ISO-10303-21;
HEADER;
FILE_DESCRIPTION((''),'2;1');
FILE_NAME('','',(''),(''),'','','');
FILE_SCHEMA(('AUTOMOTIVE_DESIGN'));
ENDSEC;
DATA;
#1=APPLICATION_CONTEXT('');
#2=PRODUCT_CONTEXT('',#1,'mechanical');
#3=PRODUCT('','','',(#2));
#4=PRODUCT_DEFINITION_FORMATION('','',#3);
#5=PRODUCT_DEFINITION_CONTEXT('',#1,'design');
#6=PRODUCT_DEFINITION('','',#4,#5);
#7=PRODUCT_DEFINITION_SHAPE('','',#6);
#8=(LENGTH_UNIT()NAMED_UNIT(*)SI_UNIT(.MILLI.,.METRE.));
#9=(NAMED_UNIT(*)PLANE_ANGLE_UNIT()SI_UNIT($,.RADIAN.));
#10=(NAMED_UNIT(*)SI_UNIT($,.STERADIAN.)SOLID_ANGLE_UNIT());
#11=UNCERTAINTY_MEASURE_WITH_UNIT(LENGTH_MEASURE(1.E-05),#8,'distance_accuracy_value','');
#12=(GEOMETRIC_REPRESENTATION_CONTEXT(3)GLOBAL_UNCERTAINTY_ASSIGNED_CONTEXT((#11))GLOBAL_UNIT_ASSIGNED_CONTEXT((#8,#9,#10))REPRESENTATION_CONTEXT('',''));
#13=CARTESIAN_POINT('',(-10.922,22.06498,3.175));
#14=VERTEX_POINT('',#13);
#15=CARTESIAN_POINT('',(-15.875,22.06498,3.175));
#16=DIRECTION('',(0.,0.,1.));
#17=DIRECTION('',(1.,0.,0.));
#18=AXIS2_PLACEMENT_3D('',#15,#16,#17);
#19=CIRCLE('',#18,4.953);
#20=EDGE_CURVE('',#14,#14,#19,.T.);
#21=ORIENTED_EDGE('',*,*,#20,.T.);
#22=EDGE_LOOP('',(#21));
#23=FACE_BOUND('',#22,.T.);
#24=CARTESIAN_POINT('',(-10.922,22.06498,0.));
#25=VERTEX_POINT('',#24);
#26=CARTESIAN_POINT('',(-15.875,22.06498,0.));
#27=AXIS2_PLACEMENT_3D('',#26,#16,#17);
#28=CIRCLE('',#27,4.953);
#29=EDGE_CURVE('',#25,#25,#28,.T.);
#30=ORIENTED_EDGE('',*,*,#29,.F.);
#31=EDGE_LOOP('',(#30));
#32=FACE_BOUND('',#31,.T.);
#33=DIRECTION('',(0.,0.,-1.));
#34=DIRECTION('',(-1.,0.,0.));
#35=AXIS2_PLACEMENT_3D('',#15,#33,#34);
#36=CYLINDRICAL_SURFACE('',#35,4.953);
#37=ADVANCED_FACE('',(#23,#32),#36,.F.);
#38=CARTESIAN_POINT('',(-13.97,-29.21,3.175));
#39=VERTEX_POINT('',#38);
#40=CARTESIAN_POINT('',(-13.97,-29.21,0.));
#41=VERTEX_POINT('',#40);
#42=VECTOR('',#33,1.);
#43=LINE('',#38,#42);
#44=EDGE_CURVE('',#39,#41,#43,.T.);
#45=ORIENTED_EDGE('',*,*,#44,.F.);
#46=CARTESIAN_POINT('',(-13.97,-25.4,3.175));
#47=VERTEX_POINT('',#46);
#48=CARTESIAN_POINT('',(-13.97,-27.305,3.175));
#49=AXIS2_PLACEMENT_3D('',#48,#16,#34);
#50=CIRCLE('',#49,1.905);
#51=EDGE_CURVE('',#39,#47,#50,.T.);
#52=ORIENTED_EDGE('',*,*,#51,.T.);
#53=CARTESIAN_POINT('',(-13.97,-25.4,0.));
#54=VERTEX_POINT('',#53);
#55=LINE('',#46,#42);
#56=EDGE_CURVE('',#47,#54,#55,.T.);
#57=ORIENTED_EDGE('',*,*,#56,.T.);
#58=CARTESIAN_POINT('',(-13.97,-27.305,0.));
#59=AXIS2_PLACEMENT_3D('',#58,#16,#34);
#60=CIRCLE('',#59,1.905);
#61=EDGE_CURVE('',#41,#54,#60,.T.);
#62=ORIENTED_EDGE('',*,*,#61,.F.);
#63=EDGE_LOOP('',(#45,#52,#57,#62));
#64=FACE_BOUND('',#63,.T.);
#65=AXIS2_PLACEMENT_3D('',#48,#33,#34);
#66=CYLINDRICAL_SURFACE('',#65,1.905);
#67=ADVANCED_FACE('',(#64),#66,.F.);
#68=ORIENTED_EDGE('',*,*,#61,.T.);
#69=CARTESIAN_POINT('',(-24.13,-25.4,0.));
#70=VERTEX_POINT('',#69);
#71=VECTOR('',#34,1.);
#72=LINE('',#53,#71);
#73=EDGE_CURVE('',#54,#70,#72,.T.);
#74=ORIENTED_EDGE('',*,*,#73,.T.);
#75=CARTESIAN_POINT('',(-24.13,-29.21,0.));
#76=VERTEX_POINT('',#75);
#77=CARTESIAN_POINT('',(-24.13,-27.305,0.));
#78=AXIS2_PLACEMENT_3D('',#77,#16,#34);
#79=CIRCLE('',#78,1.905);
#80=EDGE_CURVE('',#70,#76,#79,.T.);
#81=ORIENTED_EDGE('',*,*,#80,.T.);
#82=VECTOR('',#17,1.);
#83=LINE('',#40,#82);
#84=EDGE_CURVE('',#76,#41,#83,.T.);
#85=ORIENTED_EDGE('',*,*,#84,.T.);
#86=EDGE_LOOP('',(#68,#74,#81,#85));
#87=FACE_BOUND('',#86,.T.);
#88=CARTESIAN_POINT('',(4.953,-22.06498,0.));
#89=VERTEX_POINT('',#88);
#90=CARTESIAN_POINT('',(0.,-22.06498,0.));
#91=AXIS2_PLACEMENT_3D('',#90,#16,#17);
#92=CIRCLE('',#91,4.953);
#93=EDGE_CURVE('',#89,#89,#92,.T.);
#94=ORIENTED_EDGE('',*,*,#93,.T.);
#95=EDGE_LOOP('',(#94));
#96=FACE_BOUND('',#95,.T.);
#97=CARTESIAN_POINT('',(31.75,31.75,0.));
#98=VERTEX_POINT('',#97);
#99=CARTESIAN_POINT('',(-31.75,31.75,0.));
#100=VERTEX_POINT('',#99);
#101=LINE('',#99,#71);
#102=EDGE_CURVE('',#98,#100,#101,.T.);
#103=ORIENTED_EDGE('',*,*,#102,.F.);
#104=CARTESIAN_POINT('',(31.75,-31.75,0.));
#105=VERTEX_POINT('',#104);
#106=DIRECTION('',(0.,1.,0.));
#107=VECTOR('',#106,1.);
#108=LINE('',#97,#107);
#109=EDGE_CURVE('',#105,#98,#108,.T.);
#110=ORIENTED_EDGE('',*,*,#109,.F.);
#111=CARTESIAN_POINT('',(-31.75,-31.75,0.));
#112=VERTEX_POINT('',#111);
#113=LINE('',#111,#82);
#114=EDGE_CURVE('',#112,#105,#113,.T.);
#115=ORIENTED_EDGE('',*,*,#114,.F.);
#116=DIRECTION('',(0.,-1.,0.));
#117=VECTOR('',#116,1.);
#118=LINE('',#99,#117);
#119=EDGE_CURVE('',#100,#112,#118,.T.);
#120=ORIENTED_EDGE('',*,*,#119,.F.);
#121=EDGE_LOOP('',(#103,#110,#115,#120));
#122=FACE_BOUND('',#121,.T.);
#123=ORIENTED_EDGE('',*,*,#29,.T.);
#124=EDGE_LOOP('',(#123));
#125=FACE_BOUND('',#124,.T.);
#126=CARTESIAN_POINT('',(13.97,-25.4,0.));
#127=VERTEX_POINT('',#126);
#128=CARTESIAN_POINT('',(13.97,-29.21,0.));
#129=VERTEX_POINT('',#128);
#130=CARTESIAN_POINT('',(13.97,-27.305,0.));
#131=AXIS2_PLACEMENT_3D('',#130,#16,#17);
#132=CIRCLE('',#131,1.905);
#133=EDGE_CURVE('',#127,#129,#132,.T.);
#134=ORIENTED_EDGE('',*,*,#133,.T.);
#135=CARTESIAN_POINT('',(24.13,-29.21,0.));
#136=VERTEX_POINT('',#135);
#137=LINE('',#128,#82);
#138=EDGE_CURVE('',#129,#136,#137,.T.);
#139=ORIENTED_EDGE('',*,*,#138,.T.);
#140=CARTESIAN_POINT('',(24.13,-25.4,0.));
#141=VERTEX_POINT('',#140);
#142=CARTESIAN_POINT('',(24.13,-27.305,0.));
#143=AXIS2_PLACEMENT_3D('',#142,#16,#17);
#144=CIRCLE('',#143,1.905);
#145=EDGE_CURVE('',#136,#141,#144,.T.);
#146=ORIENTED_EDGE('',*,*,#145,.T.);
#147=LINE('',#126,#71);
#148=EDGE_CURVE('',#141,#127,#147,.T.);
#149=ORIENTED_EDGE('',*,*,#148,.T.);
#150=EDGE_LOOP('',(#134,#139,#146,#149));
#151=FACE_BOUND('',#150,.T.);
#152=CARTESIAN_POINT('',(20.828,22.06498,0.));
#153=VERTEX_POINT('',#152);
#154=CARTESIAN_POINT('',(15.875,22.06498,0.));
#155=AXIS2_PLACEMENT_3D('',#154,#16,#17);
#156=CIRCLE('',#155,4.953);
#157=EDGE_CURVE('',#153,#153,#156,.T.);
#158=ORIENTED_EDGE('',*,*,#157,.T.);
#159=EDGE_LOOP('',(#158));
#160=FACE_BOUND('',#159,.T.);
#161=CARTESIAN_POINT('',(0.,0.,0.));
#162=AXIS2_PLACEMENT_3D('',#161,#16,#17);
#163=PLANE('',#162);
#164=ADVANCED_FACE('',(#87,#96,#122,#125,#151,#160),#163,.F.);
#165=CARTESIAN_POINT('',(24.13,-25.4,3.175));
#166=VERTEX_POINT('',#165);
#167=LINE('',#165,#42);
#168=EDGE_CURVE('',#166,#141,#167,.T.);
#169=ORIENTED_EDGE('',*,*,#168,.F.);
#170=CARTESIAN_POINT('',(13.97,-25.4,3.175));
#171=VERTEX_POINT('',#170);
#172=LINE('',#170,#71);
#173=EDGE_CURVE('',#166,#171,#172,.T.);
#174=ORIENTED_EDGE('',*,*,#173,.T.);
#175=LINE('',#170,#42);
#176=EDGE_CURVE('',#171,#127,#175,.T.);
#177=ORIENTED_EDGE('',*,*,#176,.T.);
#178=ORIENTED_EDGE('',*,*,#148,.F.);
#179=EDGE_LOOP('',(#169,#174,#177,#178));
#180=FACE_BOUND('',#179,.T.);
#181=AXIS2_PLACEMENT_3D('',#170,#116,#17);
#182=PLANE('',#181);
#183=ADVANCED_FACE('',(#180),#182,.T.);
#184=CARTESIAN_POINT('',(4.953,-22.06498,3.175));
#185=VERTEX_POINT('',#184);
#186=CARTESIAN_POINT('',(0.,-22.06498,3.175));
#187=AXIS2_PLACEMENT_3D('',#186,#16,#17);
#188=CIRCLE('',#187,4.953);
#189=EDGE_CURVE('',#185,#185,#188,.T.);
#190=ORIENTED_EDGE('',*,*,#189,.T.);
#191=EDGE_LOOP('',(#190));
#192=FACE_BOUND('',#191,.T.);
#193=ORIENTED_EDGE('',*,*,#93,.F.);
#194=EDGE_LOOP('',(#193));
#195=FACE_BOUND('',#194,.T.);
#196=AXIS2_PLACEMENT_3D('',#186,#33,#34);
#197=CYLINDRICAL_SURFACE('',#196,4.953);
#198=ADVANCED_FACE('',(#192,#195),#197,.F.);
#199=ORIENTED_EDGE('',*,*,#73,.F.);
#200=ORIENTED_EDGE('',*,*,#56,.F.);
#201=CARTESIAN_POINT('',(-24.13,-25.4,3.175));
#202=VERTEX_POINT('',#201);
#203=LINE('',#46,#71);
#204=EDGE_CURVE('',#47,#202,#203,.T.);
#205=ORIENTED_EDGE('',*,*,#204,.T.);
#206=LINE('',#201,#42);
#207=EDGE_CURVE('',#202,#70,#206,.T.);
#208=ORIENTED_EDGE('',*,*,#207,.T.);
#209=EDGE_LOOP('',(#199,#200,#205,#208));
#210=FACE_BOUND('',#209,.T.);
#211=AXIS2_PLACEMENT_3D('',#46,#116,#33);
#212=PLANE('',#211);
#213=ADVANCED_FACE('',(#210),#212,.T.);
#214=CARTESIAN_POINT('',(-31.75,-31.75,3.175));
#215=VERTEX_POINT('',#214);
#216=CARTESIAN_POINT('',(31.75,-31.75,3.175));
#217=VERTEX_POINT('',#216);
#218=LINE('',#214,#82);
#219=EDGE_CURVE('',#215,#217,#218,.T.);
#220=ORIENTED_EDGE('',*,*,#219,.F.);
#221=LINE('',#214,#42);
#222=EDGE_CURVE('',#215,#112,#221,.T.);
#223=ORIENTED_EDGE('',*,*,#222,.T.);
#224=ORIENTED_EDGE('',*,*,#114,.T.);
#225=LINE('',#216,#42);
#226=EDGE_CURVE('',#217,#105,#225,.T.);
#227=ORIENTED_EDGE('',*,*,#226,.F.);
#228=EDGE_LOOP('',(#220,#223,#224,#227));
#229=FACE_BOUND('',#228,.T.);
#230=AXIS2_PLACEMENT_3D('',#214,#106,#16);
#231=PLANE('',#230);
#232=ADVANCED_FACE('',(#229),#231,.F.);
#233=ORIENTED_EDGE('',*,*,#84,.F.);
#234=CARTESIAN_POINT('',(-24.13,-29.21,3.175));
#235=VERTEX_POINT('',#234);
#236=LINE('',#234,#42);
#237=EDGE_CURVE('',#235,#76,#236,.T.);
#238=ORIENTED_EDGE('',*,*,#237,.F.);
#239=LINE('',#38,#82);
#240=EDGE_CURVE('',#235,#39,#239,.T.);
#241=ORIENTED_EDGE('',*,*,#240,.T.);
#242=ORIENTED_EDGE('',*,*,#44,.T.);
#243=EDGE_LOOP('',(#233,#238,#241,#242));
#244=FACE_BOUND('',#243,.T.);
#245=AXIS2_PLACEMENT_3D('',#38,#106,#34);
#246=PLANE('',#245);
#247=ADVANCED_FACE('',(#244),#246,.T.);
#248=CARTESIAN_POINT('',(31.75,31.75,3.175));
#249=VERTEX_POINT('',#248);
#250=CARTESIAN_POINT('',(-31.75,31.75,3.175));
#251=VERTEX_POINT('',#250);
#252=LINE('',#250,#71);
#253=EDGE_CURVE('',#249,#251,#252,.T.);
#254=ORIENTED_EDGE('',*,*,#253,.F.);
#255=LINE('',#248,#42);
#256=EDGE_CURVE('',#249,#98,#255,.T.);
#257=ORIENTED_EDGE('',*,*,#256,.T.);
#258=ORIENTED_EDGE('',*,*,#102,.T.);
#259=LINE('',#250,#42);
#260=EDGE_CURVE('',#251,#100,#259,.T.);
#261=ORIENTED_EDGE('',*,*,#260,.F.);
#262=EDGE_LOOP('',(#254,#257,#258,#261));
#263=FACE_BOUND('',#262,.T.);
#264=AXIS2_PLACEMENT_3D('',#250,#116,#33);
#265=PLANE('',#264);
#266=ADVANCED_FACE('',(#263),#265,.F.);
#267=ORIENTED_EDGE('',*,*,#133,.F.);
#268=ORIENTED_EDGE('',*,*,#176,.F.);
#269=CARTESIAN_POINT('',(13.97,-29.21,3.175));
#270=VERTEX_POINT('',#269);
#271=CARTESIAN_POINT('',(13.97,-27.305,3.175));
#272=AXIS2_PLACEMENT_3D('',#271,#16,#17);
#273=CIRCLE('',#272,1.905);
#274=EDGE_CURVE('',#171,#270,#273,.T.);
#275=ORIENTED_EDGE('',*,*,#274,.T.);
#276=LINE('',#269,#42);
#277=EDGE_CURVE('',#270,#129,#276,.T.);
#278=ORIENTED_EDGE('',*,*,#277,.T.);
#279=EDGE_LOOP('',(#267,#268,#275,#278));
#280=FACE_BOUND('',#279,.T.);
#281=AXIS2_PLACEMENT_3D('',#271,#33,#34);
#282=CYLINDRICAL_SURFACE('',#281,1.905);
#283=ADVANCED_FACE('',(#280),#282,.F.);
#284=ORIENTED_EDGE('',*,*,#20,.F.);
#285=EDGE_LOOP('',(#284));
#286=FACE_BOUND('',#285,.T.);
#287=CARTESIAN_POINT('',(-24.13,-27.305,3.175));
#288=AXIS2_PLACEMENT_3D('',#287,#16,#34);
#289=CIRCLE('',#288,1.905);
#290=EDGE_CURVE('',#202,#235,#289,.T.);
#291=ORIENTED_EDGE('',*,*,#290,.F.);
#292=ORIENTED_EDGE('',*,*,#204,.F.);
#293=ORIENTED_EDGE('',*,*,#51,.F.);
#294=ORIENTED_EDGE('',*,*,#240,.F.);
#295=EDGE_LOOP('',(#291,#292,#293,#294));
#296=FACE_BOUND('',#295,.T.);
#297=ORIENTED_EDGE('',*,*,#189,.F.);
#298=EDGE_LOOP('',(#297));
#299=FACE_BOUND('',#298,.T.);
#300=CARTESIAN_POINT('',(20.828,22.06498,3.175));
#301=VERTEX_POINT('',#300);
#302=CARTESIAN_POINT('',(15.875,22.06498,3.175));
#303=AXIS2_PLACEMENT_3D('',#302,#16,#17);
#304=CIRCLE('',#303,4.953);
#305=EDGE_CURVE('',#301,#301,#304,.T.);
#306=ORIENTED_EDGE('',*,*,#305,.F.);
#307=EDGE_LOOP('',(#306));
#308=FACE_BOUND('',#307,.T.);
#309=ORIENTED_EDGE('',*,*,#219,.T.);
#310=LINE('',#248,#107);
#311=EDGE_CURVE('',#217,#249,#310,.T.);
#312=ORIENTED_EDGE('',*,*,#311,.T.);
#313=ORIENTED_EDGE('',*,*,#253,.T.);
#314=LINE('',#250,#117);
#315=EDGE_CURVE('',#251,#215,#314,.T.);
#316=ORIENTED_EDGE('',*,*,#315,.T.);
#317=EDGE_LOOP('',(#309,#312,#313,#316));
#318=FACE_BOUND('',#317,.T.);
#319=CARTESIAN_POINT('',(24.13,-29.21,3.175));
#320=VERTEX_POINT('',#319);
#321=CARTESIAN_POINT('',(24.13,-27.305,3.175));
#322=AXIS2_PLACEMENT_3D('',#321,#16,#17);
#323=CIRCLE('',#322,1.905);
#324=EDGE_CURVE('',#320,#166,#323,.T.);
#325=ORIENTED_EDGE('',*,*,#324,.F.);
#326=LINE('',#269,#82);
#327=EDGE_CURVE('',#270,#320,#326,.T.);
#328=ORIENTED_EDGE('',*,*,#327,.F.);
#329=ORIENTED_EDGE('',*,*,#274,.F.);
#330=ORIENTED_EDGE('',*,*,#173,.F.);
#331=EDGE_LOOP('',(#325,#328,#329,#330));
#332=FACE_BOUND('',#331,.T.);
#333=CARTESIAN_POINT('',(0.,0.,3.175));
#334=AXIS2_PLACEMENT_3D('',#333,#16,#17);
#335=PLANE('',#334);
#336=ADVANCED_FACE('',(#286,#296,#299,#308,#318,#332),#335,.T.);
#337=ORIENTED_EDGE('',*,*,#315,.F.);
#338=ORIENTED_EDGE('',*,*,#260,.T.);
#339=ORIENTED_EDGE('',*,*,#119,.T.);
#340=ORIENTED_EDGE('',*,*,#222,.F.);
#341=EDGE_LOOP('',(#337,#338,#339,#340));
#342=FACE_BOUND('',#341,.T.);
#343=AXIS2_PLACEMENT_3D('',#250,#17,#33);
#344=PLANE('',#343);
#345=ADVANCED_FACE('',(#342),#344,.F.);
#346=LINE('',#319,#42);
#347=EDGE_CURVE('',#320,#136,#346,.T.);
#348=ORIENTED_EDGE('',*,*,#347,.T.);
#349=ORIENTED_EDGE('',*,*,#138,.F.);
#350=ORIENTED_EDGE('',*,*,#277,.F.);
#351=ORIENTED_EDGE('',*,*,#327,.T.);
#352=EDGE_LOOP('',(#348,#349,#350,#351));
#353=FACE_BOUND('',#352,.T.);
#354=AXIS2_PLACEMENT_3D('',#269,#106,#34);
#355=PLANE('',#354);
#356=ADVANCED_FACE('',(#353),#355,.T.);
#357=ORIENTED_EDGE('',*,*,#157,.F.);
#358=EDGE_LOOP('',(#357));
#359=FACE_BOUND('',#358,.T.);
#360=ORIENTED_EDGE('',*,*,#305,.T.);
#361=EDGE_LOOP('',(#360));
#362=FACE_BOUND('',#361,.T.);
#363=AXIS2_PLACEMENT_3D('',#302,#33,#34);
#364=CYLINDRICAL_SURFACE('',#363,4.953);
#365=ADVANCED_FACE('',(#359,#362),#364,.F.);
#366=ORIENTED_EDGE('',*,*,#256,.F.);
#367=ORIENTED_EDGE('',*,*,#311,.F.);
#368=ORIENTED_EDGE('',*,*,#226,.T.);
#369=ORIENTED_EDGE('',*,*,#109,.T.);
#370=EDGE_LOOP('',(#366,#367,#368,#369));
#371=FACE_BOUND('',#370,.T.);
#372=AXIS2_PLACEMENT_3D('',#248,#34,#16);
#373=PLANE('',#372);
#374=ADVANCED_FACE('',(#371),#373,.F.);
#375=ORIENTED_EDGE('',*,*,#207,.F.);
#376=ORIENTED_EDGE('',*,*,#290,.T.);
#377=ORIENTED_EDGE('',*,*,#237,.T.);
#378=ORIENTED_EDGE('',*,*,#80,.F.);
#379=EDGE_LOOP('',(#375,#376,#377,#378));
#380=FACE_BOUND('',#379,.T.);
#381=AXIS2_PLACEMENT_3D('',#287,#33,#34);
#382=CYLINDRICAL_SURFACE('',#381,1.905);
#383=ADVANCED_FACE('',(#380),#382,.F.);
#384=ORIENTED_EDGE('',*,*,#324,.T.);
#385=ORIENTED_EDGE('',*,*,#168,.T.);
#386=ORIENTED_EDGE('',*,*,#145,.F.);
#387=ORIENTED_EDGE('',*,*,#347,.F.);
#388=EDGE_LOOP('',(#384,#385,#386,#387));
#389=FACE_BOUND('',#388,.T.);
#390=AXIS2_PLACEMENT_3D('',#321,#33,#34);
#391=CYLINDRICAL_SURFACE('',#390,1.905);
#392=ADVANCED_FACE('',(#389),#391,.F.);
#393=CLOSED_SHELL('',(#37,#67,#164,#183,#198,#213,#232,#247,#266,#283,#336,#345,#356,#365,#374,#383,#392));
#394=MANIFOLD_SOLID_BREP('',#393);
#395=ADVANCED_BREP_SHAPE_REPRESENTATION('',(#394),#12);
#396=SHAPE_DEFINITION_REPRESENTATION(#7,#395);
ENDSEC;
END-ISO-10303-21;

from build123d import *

# Parameters (mm, degrees)
SKETCH1_W           = 63.5
SKETCH1_H           = 63.5
SKETCH1_R           = 4.953
BOSS_EXTRUDE1_DEPTH = 3.175


with BuildPart() as part:
    # Sketch1 → Boss-Extrude1 (new body)
    with BuildSketch(Plane.XY):
        Rectangle(SKETCH1_W, SKETCH1_H)
        with Locations((-15.875, 22.06498)):
            Circle(SKETCH1_R, mode=Mode.SUBTRACT)
        with Locations((15.875, 22.06498)):
            Circle(SKETCH1_R, mode=Mode.SUBTRACT)
        with Locations((0, -22.06498)):
            Circle(SKETCH1_R, mode=Mode.SUBTRACT)
        with BuildLine():
            Line((13.97, -25.4), (24.13, -25.4))
            ThreePointArc((24.13, -25.4), (26.035, -27.305), (24.13, -29.21))
            Line((24.13, -29.21), (13.97, -29.21))
            ThreePointArc((13.97, -29.21), (12.065, -27.305), (13.97, -25.4))
        make_face(mode=Mode.SUBTRACT)
        with BuildLine():
            Line((-13.97, -25.4), (-24.13, -25.4))
            ThreePointArc((-24.13, -25.4), (-26.035, -27.305), (-24.13, -29.21))
            Line((-24.13, -29.21), (-13.97, -29.21))
            ThreePointArc((-13.97, -29.21), (-12.065, -27.305), (-13.97, -25.4))
        make_face(mode=Mode.SUBTRACT)
    extrude(amount=BOSS_EXTRUDE1_DEPTH)


solid = part.part
